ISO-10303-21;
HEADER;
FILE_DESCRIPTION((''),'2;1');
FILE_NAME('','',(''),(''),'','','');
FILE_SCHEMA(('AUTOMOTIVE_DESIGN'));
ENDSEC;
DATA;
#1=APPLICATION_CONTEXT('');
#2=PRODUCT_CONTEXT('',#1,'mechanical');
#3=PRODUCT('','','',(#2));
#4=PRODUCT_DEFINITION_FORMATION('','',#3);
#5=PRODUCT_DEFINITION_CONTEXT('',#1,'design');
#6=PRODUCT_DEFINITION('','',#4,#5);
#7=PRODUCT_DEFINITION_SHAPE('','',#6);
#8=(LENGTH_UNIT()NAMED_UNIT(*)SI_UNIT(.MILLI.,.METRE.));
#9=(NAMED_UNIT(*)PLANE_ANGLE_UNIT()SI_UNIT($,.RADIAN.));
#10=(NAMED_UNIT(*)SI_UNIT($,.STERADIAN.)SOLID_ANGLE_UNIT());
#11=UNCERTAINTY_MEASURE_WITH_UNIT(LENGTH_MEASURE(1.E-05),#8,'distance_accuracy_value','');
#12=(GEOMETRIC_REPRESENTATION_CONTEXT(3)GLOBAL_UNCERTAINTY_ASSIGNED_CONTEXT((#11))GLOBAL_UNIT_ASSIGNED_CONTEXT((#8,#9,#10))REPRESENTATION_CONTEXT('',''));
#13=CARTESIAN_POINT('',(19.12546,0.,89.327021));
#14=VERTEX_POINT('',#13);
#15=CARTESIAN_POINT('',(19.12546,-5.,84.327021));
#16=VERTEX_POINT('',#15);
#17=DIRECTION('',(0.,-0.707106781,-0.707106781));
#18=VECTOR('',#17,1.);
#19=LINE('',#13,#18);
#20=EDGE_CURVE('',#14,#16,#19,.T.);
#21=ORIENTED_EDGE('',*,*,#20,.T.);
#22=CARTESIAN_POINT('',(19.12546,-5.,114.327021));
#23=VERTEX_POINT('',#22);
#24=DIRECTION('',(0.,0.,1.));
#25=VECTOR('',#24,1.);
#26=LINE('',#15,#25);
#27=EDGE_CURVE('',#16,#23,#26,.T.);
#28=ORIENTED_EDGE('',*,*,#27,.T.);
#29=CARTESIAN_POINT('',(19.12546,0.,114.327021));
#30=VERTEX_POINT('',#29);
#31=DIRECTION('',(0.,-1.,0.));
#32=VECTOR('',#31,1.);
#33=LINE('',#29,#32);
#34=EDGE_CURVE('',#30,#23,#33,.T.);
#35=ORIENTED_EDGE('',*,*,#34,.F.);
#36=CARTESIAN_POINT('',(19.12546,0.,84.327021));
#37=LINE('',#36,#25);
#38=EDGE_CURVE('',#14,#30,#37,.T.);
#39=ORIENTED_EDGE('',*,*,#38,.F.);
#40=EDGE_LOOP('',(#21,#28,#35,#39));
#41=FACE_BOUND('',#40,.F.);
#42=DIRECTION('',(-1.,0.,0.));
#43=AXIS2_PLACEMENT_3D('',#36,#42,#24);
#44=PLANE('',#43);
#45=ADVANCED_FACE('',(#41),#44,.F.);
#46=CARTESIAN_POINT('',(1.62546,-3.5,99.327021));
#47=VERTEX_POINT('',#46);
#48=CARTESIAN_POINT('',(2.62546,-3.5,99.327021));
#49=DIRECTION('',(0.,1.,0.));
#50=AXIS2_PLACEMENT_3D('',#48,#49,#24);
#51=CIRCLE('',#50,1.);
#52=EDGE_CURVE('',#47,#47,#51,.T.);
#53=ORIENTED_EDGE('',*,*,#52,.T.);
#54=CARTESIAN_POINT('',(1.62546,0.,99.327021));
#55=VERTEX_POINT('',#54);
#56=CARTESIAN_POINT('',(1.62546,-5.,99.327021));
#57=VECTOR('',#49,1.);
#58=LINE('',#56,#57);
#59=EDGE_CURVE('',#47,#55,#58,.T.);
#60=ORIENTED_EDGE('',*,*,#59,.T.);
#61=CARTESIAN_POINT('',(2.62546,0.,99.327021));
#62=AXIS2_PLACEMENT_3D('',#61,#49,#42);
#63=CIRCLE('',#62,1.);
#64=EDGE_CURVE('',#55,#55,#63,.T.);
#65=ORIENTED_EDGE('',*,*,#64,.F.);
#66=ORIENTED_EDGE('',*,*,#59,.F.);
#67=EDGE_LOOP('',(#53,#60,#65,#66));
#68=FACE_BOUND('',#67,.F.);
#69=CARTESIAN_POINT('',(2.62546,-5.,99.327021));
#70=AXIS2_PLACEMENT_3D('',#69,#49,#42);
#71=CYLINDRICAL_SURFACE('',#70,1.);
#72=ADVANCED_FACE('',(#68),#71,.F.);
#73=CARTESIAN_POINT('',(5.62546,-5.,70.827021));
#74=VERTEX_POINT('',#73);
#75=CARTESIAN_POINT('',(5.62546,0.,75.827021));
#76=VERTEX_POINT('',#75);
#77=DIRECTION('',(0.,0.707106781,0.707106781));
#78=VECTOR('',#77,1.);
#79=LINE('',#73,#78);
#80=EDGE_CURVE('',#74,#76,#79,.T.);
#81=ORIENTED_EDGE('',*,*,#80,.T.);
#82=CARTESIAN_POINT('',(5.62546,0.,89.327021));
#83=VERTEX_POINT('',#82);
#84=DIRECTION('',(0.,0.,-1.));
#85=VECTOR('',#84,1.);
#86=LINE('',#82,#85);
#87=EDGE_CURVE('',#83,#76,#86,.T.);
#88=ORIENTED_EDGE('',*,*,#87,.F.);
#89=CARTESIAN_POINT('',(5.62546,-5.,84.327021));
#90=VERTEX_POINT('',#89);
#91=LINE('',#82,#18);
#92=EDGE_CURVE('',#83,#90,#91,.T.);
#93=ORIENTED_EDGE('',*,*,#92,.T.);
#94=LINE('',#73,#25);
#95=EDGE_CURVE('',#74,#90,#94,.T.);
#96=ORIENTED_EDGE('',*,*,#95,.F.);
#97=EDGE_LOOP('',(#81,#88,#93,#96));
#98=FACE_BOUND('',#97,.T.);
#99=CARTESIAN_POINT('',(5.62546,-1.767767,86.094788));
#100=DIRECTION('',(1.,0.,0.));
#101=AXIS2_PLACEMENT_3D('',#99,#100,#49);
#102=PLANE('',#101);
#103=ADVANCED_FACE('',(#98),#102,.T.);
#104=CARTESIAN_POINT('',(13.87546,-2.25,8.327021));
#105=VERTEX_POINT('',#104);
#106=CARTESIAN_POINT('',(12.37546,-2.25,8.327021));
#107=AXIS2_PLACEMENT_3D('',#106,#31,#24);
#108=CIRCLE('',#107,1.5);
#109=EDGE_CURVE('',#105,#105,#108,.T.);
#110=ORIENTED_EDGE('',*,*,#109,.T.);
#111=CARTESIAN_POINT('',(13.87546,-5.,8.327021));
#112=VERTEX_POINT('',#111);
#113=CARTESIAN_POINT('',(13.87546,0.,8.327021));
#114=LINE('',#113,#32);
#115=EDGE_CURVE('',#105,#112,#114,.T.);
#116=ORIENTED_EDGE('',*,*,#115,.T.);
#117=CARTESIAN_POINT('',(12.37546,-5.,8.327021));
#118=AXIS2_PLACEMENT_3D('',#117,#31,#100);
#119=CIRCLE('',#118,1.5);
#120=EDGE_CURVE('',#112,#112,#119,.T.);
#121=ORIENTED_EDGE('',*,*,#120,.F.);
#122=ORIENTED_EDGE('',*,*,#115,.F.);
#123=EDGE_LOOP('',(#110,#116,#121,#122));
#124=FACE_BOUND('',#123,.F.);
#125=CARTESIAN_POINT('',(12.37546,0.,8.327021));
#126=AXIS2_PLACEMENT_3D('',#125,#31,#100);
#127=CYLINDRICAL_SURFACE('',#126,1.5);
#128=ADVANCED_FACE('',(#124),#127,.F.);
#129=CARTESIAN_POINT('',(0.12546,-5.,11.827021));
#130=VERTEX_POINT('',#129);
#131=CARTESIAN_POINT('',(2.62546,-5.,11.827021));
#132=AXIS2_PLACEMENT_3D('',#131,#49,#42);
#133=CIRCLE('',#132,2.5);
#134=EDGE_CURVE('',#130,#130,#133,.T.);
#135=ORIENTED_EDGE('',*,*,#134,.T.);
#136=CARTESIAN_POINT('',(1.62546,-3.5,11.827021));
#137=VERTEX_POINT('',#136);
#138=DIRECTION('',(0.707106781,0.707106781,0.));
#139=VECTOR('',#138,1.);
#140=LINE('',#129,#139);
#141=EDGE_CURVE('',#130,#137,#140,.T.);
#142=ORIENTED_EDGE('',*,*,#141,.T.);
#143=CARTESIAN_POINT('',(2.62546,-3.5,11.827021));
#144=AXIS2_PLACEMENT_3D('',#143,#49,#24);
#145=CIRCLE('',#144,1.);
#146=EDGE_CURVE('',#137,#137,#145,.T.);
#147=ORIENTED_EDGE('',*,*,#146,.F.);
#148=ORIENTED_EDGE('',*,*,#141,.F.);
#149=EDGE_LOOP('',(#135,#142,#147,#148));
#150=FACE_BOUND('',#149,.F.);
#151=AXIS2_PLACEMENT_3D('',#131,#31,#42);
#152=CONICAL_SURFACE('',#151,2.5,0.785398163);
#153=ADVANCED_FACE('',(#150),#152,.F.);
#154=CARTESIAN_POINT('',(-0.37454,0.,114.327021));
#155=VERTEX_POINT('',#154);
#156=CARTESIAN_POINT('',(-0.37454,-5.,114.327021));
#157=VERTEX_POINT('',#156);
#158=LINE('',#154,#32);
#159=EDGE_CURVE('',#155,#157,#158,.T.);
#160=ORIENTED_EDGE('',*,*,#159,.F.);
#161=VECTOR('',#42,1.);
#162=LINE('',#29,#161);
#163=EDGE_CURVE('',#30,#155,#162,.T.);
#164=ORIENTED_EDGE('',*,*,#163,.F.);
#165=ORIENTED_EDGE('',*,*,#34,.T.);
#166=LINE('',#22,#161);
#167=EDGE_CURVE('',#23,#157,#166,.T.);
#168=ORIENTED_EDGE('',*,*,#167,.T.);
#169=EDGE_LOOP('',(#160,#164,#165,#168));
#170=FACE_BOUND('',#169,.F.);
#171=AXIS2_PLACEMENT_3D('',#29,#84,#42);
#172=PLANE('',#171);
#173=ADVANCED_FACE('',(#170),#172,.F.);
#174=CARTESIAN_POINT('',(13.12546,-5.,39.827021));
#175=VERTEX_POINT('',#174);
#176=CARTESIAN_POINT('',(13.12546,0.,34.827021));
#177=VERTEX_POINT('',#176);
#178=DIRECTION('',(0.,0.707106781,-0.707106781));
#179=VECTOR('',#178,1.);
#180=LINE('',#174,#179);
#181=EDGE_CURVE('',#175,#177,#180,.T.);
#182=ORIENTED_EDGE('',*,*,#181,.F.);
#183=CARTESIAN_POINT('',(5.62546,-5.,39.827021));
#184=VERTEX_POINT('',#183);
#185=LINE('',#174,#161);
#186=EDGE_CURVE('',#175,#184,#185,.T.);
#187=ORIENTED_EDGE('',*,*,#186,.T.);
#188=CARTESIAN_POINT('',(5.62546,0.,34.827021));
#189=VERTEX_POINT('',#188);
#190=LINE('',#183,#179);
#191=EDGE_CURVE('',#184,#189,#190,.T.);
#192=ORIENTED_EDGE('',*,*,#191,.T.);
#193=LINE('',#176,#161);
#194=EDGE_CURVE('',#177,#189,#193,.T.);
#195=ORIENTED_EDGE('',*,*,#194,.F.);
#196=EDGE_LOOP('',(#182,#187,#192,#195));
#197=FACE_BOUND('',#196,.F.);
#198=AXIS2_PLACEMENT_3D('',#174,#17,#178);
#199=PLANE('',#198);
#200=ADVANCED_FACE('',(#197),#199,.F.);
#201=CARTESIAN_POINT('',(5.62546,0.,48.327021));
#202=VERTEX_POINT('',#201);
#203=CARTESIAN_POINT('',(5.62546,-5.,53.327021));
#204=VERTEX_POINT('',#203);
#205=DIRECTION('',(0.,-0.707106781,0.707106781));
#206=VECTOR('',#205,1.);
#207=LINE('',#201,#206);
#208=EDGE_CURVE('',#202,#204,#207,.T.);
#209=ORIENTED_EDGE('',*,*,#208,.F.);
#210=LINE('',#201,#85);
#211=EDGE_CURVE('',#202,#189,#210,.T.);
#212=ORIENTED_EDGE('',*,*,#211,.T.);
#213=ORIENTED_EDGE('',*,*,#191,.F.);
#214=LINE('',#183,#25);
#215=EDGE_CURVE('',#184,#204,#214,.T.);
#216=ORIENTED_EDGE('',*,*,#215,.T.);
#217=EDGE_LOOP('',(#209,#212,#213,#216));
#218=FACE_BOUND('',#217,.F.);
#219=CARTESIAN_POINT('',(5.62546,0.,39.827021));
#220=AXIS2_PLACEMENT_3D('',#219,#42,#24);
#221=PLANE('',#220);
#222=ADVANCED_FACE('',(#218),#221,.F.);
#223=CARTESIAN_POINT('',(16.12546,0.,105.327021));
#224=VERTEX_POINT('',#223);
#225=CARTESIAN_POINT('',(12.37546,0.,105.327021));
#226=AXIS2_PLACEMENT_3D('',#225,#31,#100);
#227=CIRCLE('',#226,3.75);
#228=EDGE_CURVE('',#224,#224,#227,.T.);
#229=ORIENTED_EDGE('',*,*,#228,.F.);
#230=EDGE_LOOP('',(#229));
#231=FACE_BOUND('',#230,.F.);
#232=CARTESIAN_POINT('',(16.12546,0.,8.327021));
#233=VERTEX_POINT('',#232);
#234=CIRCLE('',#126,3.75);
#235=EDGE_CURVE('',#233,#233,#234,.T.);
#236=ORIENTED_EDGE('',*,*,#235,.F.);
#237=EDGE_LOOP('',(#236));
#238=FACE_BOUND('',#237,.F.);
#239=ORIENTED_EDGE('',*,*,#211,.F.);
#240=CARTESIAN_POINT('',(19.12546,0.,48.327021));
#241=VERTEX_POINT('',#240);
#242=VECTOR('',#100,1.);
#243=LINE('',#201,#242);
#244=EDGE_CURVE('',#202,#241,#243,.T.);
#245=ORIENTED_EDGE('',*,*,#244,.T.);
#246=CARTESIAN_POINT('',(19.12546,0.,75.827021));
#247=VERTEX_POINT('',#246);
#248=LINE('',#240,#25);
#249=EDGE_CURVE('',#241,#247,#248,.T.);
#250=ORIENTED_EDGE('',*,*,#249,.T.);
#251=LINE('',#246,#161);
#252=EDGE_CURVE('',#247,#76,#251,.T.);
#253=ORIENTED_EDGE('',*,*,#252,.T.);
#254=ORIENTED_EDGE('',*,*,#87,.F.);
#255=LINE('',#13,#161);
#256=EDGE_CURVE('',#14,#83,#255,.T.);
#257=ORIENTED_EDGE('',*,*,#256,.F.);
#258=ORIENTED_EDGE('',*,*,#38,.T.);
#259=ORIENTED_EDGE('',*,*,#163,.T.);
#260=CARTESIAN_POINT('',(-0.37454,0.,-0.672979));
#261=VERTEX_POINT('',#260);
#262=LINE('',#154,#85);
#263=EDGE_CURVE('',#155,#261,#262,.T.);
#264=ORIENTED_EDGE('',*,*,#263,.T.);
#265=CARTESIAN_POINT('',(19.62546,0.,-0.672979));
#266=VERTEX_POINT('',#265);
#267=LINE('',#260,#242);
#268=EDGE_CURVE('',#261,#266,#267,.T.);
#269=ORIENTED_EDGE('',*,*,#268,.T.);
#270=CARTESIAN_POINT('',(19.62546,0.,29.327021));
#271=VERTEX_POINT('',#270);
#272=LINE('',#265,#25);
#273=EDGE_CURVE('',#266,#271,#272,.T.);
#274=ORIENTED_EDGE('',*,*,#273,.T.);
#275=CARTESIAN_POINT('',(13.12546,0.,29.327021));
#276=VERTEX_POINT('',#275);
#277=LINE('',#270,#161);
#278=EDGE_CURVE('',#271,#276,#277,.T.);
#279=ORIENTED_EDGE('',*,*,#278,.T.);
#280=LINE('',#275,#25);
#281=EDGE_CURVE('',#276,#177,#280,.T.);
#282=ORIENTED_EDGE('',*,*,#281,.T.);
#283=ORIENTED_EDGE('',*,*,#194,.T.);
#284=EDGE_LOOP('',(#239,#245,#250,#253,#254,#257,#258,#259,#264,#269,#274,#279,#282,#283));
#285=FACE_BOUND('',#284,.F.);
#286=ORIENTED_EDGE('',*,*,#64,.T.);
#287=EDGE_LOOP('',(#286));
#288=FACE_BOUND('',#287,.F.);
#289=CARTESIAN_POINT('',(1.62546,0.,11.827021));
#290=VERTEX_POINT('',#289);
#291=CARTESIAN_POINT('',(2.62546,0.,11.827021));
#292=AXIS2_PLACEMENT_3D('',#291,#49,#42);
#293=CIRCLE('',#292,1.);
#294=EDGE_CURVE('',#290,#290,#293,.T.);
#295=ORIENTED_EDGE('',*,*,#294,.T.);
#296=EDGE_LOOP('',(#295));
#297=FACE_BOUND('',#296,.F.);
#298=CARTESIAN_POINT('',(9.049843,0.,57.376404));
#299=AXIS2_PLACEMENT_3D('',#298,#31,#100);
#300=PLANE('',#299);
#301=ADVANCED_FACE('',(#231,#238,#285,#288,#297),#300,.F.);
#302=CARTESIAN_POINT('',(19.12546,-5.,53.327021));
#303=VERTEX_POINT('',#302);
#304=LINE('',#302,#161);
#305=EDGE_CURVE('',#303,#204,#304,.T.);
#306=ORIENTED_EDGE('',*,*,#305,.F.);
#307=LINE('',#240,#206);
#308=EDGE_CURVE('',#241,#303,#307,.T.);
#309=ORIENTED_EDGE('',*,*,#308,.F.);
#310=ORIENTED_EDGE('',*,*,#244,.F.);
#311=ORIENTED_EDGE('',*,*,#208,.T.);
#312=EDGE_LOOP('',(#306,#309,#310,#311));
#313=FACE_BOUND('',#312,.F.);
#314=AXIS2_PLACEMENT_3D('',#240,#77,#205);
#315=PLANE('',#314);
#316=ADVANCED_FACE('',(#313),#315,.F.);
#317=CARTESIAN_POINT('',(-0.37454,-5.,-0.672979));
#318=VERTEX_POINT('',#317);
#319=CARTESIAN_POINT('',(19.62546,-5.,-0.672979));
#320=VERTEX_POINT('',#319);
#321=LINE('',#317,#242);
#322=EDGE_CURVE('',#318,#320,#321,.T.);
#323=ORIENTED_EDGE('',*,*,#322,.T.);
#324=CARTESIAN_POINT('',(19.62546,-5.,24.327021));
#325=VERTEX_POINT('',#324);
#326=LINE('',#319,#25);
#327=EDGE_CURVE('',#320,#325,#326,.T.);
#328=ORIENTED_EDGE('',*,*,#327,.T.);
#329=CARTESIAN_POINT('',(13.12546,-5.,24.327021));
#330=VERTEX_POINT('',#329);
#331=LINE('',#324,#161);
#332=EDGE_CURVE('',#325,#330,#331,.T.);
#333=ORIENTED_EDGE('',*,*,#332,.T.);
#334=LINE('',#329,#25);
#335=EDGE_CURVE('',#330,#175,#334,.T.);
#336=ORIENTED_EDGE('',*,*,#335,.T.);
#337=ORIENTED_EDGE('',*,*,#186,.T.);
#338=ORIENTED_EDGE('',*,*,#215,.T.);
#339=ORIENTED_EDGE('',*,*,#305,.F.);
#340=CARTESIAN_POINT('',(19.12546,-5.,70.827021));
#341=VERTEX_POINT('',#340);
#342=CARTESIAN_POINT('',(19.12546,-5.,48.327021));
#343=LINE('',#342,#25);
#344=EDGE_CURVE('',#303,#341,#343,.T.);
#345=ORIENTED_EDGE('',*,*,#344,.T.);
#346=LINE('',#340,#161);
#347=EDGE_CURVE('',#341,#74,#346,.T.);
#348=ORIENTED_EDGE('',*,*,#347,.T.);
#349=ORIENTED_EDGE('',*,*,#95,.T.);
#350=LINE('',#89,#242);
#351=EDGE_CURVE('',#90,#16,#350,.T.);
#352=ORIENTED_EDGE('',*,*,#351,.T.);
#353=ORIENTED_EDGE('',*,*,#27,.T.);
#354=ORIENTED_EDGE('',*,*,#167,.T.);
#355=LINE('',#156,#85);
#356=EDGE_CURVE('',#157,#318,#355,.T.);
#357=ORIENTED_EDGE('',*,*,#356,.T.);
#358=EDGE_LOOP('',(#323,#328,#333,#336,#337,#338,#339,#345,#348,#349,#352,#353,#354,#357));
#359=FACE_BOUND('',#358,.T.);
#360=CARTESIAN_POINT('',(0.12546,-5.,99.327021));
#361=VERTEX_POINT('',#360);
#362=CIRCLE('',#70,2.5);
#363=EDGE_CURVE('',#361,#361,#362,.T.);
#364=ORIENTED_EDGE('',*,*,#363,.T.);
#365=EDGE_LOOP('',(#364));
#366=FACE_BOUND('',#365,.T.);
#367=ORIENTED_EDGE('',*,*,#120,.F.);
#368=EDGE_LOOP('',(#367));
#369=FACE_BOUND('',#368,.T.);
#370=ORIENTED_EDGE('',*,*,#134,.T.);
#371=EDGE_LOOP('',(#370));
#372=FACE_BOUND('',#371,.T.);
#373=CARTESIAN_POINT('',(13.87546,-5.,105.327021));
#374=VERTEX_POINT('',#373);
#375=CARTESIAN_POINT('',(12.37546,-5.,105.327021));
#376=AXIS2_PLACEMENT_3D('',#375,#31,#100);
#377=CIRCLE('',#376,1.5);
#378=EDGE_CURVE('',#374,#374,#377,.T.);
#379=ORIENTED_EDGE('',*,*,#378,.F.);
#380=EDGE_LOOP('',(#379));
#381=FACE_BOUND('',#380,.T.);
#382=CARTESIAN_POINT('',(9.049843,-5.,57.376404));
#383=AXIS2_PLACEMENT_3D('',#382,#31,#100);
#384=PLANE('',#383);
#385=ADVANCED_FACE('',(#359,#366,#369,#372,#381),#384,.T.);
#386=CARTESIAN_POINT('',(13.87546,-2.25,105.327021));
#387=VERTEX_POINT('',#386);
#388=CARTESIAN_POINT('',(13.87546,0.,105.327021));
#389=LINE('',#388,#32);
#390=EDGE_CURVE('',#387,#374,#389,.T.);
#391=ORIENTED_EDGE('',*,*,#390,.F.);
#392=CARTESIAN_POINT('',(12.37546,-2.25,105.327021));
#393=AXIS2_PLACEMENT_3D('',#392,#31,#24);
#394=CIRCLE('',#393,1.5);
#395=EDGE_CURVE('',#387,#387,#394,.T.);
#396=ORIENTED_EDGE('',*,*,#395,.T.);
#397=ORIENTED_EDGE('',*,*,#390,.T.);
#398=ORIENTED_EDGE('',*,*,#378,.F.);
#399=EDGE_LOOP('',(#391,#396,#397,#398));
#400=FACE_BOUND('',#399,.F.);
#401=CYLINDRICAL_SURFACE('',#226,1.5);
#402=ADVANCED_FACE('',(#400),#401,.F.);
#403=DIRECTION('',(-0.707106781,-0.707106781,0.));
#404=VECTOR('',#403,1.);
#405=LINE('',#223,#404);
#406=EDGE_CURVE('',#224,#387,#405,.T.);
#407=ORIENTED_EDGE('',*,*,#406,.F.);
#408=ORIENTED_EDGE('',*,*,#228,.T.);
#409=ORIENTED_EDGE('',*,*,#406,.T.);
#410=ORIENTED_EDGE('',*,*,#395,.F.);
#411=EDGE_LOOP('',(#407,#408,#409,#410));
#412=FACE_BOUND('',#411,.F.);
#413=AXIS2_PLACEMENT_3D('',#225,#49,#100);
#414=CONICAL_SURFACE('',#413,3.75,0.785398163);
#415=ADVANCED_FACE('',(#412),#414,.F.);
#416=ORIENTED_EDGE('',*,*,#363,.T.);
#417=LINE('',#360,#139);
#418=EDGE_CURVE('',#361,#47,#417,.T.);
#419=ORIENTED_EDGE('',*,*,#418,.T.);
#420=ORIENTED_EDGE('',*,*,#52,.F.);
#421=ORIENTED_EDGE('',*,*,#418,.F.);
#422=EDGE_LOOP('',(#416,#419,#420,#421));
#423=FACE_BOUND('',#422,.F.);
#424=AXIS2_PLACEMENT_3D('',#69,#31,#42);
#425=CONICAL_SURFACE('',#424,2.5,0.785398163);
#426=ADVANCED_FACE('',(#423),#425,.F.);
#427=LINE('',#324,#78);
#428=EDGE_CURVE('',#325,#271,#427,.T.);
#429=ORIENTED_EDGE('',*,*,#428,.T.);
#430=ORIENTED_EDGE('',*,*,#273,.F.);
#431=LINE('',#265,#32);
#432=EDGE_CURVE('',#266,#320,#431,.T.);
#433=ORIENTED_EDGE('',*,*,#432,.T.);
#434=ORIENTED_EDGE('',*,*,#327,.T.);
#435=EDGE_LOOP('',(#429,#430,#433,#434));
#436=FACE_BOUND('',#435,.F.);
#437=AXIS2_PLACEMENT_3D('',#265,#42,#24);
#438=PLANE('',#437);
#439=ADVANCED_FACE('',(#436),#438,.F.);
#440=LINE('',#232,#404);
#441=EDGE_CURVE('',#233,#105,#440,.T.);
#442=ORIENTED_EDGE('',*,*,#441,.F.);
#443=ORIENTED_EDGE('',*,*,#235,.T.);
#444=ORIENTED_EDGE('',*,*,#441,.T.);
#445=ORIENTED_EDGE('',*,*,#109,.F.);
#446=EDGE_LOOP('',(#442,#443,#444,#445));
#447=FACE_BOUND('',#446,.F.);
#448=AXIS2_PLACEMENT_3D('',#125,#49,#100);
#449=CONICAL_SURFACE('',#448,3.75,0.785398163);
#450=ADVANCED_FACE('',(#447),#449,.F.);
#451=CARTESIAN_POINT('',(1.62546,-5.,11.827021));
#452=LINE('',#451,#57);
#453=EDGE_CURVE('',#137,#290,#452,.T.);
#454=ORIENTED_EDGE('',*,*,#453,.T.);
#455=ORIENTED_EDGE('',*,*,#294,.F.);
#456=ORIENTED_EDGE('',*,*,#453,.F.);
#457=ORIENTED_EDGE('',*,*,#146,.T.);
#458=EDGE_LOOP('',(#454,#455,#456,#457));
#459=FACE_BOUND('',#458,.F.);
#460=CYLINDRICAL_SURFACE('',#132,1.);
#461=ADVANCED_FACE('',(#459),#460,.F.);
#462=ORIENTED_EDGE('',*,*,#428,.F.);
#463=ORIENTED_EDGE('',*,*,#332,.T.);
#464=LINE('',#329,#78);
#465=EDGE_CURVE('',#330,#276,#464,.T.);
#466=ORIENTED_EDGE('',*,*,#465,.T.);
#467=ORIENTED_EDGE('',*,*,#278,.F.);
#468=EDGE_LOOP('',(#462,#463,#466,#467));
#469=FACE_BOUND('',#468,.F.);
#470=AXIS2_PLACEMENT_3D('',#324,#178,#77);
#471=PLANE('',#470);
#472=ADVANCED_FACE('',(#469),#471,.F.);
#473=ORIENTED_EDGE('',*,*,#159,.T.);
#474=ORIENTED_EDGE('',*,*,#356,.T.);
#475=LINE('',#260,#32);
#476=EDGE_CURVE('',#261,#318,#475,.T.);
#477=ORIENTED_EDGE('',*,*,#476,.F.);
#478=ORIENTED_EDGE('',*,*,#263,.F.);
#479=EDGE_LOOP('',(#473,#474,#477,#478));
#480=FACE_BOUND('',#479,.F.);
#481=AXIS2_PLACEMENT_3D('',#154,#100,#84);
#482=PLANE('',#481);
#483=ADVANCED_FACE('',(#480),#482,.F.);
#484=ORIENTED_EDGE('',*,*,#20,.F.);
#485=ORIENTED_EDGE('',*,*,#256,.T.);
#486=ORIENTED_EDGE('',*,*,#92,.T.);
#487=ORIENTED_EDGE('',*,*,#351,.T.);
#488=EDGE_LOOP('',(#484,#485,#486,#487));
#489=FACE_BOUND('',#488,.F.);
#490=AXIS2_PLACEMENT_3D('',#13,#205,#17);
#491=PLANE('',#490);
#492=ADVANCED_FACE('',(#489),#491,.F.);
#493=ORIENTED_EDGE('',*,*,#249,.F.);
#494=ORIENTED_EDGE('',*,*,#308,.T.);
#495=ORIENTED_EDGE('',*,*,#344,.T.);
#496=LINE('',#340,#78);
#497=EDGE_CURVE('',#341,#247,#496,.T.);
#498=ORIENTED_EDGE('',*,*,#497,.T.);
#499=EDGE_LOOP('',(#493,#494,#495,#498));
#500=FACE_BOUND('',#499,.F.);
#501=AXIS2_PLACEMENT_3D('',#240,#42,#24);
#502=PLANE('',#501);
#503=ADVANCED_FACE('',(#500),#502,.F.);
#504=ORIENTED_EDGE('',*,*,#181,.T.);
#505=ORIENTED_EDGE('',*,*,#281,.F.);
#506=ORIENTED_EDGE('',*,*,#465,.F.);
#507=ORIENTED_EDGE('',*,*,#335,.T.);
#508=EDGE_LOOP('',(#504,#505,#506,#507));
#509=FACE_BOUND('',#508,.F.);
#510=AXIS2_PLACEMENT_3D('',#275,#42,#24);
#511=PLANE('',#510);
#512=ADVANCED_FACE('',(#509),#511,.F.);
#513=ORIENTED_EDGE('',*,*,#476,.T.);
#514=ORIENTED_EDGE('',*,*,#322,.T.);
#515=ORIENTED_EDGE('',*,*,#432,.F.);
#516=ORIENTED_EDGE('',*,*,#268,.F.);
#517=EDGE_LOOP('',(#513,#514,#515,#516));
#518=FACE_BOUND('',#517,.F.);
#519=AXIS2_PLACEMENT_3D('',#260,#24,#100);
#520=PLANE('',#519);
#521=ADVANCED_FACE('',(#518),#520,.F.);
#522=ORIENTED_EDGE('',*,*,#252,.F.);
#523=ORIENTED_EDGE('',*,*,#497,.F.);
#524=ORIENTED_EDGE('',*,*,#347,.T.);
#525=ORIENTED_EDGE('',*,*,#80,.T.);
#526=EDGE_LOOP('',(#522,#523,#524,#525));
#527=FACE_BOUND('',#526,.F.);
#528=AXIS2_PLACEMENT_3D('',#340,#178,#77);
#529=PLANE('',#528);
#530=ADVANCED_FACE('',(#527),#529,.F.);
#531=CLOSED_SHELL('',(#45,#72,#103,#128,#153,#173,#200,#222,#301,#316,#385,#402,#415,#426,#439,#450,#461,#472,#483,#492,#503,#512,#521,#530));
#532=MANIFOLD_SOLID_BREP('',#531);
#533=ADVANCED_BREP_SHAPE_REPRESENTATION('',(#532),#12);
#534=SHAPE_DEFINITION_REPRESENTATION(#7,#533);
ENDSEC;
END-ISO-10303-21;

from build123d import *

# Parameters (mm, degrees)
F1_DEPTH        = 5
F4_DEPTH        = 13.5
F6_DEPTH        = 7.5
F8_DEPTH        = 6.5
F10_D           = 3
F10_CSINK_D     = 7.5
F10_CSINK_ANGLE = 90
F12_D           = 2
F12_CSINK_D     = 5
F12_CSINK_ANGLE = 90


with BuildPart() as f1:
    # F0 (on Front) → F1 (new body)
    with BuildSketch(Plane.XZ):
        Polygon((19.12546, 114.327021), (-0.37454, 114.327021), (-0.37454, -0.672979), (19.62546, -0.672979), (19.62546, 29.327021), (13.12546, 29.327021), (13.12546, 39.827021), (5.62546, 39.827021), (5.62546, 48.327021), (19.12546, 48.327021), (19.12546, 75.827021), (5.62546, 75.827021), (5.62546, 84.327021), (19.12546, 84.327021), align=None)
    extrude(amount=F1_DEPTH)

    # F2 (on face) + F3 (on face) → F4 (cut)
    with BuildSketch(Plane.YZ.offset(19.12546)):
        Polygon((0, 89.327021), (-5, 84.327021), (0, 84.327021), align=None)
    with BuildSketch(Plane.YZ.offset(19.12546)):
        Polygon((-5, 70.827021), (0, 75.827021), (-5, 75.827021), align=None)
        Polygon((-5, 48.327021), (0, 48.327021), (-5, 53.327021), align=None)
    extrude(amount=-F4_DEPTH, mode=Mode.SUBTRACT)

    # F5 (on face) → F6 (cut)
    with BuildSketch(Plane.YZ.offset(13.12546)):
        Polygon((0, 39.827021), (-5, 39.827021), (0, 34.827021), align=None)
    extrude(amount=-F6_DEPTH, mode=Mode.SUBTRACT)

    # F7 (on face) → F8 (cut)
    with BuildSketch(Plane.YZ.offset(19.62546)):
        Polygon((-5, 24.327021), (0, 29.327021), (-5, 29.327021), align=None)
    extrude(amount=-F8_DEPTH, mode=Mode.SUBTRACT)

    # F10 (through all)
    with Locations(Plane(origin=(0, 0, 0), x_dir=(-1, 0, 0), z_dir=(0, 1, 0))):
        with Locations((-12.37546, 105.327021), (-12.37546, 8.327021)):
            CounterSinkHole(F10_D / 2, F10_CSINK_D / 2, counter_sink_angle=F10_CSINK_ANGLE)

    # F12 (through all)
    with Locations(Plane.XZ.offset(5)):
        with Locations((2.62546, 11.827021), (2.62546, 99.327021)):
            CounterSinkHole(F12_D / 2, F12_CSINK_D / 2, counter_sink_angle=F12_CSINK_ANGLE)


solid = f1.part
